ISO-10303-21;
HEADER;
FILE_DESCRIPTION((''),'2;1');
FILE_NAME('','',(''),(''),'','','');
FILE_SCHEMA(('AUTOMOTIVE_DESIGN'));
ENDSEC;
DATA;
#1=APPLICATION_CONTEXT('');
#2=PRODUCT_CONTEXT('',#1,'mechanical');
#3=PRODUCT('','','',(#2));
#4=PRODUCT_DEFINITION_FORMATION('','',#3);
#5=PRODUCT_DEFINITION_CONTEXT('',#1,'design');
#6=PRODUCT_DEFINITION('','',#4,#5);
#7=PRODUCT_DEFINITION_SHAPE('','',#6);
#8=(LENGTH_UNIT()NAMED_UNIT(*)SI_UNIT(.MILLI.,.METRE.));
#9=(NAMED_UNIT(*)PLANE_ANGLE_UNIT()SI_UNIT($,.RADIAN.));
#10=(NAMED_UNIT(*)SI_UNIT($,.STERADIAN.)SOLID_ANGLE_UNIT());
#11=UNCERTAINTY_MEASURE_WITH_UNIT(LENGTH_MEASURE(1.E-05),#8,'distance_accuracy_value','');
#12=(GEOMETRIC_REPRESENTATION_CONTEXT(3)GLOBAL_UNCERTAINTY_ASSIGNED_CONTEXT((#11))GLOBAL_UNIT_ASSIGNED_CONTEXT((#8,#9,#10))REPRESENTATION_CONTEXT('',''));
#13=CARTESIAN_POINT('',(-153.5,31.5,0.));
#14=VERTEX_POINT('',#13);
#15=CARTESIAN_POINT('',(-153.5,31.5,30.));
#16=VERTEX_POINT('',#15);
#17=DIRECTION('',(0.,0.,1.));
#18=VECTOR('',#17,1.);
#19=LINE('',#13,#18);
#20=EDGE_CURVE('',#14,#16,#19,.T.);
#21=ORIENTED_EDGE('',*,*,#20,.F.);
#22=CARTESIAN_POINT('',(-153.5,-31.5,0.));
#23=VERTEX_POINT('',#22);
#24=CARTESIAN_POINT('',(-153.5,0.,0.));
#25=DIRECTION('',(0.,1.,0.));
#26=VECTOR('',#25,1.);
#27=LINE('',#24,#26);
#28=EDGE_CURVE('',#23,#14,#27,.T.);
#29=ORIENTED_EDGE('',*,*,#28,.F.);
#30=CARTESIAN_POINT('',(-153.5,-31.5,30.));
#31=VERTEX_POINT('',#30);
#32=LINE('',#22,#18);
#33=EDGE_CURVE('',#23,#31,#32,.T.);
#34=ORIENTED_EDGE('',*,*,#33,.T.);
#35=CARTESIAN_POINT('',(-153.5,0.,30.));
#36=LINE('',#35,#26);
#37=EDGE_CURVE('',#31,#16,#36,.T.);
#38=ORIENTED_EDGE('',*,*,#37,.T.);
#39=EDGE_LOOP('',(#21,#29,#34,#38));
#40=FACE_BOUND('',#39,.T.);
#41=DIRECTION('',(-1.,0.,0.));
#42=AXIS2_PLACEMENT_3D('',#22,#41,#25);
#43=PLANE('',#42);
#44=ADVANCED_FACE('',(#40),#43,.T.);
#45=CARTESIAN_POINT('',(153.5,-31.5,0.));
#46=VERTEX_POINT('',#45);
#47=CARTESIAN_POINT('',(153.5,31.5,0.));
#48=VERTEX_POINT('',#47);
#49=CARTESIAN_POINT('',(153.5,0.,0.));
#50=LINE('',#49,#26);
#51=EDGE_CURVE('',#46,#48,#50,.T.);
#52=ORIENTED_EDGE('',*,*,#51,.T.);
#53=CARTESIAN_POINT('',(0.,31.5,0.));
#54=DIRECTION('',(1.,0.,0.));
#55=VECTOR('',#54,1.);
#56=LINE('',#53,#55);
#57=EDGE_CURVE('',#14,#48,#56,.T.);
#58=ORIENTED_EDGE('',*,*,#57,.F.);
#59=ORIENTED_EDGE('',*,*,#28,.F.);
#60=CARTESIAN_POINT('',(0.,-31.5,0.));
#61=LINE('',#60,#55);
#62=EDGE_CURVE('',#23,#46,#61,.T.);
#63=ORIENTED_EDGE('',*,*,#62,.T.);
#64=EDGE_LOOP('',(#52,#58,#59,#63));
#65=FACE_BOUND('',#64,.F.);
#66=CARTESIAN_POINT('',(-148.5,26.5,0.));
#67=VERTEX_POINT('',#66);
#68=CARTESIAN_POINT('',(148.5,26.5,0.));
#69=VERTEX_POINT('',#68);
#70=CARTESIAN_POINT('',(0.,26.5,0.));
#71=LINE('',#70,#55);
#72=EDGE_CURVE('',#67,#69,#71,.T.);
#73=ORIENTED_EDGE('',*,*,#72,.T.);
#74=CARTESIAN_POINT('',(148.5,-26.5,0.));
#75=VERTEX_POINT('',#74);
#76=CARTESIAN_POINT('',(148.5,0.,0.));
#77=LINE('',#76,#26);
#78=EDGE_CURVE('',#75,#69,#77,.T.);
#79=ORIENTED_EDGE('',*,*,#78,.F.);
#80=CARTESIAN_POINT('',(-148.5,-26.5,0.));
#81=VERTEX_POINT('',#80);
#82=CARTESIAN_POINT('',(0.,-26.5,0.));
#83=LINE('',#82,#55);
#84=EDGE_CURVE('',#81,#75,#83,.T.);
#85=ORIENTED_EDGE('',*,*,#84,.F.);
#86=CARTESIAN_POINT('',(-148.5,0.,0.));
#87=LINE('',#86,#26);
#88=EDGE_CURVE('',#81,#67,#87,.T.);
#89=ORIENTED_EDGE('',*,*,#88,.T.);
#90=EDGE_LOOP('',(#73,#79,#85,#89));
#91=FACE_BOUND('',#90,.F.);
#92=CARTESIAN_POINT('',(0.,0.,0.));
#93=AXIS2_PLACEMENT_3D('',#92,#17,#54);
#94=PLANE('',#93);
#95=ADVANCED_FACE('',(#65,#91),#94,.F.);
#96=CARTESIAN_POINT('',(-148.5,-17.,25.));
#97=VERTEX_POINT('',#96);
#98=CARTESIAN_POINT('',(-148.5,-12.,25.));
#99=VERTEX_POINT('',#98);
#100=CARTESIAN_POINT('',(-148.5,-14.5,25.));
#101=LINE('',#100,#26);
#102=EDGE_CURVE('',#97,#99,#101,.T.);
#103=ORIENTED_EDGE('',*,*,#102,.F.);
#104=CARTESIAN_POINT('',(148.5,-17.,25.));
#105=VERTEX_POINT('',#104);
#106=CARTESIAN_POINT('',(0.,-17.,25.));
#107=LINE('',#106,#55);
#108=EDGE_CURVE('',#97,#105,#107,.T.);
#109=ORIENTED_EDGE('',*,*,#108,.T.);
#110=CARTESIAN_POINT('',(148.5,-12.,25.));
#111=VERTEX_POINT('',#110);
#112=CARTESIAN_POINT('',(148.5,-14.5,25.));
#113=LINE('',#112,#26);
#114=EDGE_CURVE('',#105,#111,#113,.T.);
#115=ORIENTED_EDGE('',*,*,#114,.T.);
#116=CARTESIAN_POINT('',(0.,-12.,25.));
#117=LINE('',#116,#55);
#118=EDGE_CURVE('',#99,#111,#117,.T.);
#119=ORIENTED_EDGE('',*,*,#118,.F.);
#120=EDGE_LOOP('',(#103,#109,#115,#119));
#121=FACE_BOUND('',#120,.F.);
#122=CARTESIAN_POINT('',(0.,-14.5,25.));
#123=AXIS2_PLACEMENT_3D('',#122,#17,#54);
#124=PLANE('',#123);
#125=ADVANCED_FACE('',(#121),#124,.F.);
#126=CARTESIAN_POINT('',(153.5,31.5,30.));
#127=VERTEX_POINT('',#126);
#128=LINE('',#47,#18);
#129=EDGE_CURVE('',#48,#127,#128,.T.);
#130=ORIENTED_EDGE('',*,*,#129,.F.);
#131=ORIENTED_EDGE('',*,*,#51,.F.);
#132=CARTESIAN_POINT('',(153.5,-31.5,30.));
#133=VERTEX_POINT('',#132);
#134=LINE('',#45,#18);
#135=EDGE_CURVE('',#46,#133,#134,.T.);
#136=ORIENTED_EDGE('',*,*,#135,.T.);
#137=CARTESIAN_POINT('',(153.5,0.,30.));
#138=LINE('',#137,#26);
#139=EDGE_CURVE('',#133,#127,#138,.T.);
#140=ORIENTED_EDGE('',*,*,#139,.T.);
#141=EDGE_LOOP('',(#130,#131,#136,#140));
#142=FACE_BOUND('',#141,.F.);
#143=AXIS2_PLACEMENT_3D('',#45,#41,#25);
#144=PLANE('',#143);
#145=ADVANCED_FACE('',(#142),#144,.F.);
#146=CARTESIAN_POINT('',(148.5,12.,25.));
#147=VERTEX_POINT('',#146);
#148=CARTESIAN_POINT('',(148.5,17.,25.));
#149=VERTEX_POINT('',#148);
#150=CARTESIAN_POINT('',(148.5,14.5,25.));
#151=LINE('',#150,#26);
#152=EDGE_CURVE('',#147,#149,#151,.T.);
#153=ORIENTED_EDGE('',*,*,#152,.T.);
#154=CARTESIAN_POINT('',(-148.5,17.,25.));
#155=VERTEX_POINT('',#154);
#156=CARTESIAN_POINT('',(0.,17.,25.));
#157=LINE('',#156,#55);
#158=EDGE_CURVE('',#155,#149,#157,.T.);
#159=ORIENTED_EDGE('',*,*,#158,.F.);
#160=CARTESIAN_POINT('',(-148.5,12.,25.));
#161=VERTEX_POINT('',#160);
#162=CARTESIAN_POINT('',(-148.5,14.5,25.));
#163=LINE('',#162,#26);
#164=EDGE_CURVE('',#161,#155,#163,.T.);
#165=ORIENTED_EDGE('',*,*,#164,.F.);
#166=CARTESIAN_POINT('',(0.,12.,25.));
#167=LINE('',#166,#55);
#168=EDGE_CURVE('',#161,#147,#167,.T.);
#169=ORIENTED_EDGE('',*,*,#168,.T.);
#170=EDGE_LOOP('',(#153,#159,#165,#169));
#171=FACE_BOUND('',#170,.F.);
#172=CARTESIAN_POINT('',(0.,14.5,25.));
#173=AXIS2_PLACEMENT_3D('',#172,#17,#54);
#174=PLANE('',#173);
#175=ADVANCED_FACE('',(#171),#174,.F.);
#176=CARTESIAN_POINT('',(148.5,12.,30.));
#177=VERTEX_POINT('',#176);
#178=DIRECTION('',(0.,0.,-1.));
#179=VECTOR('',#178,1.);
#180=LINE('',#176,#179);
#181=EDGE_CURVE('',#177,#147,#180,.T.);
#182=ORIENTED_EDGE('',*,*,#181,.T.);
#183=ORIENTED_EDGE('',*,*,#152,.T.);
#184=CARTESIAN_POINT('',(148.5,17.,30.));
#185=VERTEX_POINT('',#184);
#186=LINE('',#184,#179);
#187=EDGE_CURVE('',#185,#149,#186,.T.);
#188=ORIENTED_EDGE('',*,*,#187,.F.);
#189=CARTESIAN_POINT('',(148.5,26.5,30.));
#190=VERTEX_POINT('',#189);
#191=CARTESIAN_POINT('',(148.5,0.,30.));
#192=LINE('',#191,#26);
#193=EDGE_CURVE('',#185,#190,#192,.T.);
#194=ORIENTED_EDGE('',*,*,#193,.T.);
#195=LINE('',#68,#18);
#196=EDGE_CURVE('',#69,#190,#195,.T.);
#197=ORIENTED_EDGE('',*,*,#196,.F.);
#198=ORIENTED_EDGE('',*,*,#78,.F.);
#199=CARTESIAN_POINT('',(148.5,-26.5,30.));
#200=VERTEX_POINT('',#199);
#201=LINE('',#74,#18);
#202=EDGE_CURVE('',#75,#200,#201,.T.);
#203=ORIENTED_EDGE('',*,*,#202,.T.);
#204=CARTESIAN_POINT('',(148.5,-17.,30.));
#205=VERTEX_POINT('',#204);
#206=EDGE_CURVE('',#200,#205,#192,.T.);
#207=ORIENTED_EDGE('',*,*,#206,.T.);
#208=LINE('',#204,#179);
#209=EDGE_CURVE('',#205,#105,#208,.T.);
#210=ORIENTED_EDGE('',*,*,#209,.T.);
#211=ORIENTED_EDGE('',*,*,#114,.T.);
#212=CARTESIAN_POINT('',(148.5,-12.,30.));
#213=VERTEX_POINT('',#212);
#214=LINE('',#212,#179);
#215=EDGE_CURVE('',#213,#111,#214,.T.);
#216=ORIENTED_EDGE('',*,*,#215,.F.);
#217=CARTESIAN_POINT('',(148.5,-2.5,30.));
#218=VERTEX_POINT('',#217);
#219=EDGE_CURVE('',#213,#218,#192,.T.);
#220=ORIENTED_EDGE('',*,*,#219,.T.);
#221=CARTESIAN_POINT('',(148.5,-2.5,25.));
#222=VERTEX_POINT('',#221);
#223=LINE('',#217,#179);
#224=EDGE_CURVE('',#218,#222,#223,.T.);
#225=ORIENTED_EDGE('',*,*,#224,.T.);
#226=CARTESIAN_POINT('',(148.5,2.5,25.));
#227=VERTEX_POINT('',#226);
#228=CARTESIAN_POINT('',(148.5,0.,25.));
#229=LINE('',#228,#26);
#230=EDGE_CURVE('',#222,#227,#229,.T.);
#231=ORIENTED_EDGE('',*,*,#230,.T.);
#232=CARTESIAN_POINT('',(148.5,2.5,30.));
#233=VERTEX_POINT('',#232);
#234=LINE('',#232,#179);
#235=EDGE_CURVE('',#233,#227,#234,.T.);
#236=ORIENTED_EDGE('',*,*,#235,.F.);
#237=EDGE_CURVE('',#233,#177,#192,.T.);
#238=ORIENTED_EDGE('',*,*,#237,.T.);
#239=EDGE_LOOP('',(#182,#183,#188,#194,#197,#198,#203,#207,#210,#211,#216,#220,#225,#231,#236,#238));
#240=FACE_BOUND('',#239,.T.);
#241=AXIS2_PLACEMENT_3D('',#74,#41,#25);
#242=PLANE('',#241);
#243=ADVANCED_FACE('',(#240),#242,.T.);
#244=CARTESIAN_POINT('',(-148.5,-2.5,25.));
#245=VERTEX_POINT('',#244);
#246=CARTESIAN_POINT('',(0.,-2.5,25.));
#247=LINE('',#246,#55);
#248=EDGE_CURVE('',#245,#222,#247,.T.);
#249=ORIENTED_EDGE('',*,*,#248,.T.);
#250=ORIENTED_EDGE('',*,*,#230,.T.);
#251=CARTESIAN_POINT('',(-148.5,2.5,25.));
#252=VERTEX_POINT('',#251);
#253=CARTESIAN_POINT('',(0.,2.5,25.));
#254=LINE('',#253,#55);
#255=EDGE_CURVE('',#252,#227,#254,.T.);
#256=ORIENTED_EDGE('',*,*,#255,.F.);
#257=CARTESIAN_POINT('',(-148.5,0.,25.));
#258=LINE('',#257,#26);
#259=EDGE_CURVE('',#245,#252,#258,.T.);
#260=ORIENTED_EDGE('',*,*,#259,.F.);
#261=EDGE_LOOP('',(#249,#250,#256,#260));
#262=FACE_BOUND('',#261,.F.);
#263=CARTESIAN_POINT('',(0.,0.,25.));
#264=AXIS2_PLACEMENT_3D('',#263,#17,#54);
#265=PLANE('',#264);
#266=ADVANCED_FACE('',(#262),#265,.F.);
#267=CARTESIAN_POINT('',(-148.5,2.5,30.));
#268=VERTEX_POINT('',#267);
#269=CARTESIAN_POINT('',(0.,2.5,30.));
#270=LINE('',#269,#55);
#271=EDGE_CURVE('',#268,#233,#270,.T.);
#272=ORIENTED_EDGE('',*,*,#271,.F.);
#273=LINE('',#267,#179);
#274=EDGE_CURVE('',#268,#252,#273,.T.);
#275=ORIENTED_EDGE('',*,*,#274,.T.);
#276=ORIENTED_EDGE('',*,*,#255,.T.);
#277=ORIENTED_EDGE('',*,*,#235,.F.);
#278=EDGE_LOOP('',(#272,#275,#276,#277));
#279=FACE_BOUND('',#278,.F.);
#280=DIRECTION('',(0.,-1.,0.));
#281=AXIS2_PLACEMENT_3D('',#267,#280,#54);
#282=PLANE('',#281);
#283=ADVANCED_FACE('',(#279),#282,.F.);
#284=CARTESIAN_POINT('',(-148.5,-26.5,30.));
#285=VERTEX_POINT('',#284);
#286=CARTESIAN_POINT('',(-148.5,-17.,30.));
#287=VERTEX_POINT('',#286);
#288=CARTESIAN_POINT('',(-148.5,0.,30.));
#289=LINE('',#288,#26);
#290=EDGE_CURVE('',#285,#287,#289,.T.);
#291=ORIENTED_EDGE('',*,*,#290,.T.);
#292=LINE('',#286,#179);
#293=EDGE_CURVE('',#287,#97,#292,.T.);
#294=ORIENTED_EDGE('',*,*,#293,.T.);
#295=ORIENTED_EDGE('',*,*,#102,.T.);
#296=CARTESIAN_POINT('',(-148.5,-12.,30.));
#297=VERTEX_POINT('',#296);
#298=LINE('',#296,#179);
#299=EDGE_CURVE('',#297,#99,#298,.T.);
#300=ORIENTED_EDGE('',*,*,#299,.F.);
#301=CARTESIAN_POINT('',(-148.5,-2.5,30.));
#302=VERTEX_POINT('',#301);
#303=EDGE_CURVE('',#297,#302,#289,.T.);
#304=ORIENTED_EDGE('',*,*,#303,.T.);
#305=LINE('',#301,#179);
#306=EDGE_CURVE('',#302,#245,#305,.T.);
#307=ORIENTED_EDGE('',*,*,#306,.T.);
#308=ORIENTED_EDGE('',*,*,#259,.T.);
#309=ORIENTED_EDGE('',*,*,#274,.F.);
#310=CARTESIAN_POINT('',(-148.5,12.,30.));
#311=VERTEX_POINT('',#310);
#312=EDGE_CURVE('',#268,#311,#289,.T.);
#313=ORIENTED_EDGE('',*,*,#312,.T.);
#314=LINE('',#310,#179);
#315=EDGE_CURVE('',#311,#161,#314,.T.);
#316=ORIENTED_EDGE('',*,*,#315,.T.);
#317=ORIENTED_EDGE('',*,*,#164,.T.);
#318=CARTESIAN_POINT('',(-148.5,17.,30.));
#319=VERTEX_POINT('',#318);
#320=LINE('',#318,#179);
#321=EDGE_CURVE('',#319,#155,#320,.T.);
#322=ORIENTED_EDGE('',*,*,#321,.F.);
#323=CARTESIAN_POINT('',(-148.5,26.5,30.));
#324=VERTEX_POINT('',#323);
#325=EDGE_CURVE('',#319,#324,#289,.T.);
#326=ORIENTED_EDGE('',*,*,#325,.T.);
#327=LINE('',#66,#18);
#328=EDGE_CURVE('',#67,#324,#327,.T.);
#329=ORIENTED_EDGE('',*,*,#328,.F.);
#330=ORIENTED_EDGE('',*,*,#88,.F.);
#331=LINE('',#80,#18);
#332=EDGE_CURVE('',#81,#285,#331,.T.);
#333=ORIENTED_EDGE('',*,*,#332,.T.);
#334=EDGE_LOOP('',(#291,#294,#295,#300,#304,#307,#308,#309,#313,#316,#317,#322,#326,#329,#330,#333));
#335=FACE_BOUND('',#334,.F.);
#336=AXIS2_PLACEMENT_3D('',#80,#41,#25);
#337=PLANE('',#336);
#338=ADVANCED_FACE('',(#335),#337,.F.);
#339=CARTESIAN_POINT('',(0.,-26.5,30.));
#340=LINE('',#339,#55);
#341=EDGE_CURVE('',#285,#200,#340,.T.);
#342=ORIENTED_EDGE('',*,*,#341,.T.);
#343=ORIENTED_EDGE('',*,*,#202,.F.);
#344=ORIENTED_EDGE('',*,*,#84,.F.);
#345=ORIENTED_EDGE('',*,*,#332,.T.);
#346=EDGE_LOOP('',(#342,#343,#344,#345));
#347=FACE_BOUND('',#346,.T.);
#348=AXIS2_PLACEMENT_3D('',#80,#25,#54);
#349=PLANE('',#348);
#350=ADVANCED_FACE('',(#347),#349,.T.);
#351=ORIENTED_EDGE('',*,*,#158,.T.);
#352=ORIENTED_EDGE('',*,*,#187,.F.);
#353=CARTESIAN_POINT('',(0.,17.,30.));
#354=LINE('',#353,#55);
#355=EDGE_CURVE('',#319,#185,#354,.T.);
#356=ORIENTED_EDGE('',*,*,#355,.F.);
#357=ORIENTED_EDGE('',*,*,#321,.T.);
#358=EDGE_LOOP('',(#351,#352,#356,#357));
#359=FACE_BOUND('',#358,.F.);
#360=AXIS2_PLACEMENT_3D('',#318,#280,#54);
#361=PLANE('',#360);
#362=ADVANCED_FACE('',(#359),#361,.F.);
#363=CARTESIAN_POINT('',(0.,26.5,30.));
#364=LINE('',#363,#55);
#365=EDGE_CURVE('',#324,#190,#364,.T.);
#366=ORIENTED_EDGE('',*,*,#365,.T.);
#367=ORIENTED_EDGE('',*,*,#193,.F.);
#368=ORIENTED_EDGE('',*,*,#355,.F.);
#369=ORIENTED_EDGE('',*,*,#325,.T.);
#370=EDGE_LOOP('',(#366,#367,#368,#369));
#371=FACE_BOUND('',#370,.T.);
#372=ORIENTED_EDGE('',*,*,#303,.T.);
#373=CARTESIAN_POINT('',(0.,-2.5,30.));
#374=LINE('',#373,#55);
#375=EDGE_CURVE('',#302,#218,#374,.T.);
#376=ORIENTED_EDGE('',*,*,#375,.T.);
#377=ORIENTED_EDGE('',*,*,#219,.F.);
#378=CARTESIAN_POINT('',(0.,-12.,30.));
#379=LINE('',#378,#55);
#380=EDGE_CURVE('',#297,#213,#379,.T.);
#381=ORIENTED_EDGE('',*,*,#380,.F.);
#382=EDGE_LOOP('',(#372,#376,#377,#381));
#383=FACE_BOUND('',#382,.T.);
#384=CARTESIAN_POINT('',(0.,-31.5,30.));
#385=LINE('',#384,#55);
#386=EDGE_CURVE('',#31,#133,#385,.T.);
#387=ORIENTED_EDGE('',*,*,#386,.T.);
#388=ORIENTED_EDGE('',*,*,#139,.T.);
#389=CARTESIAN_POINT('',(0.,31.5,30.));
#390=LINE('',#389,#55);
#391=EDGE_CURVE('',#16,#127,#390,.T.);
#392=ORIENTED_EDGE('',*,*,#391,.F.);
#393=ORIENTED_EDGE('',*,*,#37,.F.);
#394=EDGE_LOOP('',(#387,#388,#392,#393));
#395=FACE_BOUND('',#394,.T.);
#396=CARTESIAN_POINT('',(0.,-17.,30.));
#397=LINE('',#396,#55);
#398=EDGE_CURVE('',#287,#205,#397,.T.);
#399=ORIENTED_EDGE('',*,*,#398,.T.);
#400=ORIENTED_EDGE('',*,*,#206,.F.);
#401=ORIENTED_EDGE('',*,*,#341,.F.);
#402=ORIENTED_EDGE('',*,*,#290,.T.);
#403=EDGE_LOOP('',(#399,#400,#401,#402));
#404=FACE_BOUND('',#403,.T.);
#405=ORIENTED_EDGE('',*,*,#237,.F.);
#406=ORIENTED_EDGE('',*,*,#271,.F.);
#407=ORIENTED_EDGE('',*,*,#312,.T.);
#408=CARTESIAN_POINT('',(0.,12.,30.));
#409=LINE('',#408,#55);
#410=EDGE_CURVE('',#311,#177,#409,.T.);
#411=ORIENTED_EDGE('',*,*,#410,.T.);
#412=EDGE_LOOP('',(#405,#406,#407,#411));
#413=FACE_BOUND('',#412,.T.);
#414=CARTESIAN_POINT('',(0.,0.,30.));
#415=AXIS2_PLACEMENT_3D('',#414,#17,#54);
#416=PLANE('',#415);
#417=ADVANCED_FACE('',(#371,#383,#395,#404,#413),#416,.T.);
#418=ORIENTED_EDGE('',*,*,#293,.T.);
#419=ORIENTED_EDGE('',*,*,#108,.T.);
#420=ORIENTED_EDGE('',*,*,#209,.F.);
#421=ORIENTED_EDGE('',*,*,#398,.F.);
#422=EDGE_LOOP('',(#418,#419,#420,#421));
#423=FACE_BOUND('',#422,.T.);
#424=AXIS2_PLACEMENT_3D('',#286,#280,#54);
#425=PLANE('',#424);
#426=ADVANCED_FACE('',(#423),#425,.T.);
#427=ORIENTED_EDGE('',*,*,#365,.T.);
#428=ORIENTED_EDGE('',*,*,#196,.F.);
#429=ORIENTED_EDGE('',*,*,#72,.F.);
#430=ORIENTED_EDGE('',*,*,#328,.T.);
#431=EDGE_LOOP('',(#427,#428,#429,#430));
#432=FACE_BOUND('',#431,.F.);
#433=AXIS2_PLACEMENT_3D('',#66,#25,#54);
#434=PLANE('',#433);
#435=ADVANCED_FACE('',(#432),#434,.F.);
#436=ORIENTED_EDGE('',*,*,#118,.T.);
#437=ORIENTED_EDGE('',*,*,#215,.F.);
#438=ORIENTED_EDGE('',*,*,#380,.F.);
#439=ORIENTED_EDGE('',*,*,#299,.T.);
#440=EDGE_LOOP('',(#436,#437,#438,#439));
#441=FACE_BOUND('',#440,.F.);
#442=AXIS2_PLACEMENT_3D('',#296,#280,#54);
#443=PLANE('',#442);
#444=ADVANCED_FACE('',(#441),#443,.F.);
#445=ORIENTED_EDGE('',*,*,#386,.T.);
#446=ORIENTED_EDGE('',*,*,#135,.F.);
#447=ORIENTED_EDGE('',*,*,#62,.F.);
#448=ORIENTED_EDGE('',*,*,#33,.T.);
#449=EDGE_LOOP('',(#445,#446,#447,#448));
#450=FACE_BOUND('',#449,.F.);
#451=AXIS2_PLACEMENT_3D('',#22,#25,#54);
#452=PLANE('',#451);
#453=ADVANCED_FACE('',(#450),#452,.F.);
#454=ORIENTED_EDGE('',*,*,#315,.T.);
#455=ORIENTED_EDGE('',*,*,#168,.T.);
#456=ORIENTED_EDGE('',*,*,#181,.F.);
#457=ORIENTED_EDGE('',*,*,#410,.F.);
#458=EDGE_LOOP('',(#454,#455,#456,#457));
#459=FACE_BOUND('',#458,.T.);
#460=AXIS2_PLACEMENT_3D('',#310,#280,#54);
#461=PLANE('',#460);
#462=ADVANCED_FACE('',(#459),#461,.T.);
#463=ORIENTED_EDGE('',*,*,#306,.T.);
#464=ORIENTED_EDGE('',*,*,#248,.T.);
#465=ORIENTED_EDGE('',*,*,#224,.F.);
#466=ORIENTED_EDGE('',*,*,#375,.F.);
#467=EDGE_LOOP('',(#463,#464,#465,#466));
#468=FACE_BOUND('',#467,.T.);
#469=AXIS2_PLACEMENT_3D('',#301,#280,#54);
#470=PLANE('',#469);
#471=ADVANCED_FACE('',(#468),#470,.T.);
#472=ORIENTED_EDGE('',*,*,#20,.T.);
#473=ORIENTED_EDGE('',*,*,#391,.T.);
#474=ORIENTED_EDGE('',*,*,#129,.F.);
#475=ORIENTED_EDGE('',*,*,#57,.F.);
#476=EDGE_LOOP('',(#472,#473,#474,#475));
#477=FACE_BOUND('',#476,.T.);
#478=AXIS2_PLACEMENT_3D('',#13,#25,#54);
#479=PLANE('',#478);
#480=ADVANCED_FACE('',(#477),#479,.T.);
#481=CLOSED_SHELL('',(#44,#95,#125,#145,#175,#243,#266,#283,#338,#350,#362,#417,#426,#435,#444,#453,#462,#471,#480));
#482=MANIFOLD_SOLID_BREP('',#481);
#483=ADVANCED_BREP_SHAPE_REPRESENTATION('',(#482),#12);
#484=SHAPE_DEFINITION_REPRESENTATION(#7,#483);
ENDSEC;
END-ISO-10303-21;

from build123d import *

# Parameters (mm, degrees)
F0_W     = 307
F0_H     = 63
F0_W_2   = 297
F0_H_2   = 53
F3_DEPTH = 30
F2_W     = 297
F2_H     = 5
F4_DEPTH = 5


with BuildPart() as f3:
    # F0 (on Top) → F3 (new body)
    with BuildSketch(Plane.XY):
        Rectangle(F0_W, F0_H)
        Rectangle(F0_W_2, F0_H_2, mode=Mode.SUBTRACT)
    extrude(amount=F3_DEPTH)

    # F2 (on offset) → F4 (join)
    with BuildSketch(Plane.XY.offset(30)):
        with Locations((0, 14.5)):
            Rectangle(F2_W, F2_H)
        Rectangle(F2_W, F2_H)
        with Locations((0, -14.5)):
            Rectangle(F2_W, F2_H)
    extrude(amount=-F4_DEPTH)


solid = f3.part
